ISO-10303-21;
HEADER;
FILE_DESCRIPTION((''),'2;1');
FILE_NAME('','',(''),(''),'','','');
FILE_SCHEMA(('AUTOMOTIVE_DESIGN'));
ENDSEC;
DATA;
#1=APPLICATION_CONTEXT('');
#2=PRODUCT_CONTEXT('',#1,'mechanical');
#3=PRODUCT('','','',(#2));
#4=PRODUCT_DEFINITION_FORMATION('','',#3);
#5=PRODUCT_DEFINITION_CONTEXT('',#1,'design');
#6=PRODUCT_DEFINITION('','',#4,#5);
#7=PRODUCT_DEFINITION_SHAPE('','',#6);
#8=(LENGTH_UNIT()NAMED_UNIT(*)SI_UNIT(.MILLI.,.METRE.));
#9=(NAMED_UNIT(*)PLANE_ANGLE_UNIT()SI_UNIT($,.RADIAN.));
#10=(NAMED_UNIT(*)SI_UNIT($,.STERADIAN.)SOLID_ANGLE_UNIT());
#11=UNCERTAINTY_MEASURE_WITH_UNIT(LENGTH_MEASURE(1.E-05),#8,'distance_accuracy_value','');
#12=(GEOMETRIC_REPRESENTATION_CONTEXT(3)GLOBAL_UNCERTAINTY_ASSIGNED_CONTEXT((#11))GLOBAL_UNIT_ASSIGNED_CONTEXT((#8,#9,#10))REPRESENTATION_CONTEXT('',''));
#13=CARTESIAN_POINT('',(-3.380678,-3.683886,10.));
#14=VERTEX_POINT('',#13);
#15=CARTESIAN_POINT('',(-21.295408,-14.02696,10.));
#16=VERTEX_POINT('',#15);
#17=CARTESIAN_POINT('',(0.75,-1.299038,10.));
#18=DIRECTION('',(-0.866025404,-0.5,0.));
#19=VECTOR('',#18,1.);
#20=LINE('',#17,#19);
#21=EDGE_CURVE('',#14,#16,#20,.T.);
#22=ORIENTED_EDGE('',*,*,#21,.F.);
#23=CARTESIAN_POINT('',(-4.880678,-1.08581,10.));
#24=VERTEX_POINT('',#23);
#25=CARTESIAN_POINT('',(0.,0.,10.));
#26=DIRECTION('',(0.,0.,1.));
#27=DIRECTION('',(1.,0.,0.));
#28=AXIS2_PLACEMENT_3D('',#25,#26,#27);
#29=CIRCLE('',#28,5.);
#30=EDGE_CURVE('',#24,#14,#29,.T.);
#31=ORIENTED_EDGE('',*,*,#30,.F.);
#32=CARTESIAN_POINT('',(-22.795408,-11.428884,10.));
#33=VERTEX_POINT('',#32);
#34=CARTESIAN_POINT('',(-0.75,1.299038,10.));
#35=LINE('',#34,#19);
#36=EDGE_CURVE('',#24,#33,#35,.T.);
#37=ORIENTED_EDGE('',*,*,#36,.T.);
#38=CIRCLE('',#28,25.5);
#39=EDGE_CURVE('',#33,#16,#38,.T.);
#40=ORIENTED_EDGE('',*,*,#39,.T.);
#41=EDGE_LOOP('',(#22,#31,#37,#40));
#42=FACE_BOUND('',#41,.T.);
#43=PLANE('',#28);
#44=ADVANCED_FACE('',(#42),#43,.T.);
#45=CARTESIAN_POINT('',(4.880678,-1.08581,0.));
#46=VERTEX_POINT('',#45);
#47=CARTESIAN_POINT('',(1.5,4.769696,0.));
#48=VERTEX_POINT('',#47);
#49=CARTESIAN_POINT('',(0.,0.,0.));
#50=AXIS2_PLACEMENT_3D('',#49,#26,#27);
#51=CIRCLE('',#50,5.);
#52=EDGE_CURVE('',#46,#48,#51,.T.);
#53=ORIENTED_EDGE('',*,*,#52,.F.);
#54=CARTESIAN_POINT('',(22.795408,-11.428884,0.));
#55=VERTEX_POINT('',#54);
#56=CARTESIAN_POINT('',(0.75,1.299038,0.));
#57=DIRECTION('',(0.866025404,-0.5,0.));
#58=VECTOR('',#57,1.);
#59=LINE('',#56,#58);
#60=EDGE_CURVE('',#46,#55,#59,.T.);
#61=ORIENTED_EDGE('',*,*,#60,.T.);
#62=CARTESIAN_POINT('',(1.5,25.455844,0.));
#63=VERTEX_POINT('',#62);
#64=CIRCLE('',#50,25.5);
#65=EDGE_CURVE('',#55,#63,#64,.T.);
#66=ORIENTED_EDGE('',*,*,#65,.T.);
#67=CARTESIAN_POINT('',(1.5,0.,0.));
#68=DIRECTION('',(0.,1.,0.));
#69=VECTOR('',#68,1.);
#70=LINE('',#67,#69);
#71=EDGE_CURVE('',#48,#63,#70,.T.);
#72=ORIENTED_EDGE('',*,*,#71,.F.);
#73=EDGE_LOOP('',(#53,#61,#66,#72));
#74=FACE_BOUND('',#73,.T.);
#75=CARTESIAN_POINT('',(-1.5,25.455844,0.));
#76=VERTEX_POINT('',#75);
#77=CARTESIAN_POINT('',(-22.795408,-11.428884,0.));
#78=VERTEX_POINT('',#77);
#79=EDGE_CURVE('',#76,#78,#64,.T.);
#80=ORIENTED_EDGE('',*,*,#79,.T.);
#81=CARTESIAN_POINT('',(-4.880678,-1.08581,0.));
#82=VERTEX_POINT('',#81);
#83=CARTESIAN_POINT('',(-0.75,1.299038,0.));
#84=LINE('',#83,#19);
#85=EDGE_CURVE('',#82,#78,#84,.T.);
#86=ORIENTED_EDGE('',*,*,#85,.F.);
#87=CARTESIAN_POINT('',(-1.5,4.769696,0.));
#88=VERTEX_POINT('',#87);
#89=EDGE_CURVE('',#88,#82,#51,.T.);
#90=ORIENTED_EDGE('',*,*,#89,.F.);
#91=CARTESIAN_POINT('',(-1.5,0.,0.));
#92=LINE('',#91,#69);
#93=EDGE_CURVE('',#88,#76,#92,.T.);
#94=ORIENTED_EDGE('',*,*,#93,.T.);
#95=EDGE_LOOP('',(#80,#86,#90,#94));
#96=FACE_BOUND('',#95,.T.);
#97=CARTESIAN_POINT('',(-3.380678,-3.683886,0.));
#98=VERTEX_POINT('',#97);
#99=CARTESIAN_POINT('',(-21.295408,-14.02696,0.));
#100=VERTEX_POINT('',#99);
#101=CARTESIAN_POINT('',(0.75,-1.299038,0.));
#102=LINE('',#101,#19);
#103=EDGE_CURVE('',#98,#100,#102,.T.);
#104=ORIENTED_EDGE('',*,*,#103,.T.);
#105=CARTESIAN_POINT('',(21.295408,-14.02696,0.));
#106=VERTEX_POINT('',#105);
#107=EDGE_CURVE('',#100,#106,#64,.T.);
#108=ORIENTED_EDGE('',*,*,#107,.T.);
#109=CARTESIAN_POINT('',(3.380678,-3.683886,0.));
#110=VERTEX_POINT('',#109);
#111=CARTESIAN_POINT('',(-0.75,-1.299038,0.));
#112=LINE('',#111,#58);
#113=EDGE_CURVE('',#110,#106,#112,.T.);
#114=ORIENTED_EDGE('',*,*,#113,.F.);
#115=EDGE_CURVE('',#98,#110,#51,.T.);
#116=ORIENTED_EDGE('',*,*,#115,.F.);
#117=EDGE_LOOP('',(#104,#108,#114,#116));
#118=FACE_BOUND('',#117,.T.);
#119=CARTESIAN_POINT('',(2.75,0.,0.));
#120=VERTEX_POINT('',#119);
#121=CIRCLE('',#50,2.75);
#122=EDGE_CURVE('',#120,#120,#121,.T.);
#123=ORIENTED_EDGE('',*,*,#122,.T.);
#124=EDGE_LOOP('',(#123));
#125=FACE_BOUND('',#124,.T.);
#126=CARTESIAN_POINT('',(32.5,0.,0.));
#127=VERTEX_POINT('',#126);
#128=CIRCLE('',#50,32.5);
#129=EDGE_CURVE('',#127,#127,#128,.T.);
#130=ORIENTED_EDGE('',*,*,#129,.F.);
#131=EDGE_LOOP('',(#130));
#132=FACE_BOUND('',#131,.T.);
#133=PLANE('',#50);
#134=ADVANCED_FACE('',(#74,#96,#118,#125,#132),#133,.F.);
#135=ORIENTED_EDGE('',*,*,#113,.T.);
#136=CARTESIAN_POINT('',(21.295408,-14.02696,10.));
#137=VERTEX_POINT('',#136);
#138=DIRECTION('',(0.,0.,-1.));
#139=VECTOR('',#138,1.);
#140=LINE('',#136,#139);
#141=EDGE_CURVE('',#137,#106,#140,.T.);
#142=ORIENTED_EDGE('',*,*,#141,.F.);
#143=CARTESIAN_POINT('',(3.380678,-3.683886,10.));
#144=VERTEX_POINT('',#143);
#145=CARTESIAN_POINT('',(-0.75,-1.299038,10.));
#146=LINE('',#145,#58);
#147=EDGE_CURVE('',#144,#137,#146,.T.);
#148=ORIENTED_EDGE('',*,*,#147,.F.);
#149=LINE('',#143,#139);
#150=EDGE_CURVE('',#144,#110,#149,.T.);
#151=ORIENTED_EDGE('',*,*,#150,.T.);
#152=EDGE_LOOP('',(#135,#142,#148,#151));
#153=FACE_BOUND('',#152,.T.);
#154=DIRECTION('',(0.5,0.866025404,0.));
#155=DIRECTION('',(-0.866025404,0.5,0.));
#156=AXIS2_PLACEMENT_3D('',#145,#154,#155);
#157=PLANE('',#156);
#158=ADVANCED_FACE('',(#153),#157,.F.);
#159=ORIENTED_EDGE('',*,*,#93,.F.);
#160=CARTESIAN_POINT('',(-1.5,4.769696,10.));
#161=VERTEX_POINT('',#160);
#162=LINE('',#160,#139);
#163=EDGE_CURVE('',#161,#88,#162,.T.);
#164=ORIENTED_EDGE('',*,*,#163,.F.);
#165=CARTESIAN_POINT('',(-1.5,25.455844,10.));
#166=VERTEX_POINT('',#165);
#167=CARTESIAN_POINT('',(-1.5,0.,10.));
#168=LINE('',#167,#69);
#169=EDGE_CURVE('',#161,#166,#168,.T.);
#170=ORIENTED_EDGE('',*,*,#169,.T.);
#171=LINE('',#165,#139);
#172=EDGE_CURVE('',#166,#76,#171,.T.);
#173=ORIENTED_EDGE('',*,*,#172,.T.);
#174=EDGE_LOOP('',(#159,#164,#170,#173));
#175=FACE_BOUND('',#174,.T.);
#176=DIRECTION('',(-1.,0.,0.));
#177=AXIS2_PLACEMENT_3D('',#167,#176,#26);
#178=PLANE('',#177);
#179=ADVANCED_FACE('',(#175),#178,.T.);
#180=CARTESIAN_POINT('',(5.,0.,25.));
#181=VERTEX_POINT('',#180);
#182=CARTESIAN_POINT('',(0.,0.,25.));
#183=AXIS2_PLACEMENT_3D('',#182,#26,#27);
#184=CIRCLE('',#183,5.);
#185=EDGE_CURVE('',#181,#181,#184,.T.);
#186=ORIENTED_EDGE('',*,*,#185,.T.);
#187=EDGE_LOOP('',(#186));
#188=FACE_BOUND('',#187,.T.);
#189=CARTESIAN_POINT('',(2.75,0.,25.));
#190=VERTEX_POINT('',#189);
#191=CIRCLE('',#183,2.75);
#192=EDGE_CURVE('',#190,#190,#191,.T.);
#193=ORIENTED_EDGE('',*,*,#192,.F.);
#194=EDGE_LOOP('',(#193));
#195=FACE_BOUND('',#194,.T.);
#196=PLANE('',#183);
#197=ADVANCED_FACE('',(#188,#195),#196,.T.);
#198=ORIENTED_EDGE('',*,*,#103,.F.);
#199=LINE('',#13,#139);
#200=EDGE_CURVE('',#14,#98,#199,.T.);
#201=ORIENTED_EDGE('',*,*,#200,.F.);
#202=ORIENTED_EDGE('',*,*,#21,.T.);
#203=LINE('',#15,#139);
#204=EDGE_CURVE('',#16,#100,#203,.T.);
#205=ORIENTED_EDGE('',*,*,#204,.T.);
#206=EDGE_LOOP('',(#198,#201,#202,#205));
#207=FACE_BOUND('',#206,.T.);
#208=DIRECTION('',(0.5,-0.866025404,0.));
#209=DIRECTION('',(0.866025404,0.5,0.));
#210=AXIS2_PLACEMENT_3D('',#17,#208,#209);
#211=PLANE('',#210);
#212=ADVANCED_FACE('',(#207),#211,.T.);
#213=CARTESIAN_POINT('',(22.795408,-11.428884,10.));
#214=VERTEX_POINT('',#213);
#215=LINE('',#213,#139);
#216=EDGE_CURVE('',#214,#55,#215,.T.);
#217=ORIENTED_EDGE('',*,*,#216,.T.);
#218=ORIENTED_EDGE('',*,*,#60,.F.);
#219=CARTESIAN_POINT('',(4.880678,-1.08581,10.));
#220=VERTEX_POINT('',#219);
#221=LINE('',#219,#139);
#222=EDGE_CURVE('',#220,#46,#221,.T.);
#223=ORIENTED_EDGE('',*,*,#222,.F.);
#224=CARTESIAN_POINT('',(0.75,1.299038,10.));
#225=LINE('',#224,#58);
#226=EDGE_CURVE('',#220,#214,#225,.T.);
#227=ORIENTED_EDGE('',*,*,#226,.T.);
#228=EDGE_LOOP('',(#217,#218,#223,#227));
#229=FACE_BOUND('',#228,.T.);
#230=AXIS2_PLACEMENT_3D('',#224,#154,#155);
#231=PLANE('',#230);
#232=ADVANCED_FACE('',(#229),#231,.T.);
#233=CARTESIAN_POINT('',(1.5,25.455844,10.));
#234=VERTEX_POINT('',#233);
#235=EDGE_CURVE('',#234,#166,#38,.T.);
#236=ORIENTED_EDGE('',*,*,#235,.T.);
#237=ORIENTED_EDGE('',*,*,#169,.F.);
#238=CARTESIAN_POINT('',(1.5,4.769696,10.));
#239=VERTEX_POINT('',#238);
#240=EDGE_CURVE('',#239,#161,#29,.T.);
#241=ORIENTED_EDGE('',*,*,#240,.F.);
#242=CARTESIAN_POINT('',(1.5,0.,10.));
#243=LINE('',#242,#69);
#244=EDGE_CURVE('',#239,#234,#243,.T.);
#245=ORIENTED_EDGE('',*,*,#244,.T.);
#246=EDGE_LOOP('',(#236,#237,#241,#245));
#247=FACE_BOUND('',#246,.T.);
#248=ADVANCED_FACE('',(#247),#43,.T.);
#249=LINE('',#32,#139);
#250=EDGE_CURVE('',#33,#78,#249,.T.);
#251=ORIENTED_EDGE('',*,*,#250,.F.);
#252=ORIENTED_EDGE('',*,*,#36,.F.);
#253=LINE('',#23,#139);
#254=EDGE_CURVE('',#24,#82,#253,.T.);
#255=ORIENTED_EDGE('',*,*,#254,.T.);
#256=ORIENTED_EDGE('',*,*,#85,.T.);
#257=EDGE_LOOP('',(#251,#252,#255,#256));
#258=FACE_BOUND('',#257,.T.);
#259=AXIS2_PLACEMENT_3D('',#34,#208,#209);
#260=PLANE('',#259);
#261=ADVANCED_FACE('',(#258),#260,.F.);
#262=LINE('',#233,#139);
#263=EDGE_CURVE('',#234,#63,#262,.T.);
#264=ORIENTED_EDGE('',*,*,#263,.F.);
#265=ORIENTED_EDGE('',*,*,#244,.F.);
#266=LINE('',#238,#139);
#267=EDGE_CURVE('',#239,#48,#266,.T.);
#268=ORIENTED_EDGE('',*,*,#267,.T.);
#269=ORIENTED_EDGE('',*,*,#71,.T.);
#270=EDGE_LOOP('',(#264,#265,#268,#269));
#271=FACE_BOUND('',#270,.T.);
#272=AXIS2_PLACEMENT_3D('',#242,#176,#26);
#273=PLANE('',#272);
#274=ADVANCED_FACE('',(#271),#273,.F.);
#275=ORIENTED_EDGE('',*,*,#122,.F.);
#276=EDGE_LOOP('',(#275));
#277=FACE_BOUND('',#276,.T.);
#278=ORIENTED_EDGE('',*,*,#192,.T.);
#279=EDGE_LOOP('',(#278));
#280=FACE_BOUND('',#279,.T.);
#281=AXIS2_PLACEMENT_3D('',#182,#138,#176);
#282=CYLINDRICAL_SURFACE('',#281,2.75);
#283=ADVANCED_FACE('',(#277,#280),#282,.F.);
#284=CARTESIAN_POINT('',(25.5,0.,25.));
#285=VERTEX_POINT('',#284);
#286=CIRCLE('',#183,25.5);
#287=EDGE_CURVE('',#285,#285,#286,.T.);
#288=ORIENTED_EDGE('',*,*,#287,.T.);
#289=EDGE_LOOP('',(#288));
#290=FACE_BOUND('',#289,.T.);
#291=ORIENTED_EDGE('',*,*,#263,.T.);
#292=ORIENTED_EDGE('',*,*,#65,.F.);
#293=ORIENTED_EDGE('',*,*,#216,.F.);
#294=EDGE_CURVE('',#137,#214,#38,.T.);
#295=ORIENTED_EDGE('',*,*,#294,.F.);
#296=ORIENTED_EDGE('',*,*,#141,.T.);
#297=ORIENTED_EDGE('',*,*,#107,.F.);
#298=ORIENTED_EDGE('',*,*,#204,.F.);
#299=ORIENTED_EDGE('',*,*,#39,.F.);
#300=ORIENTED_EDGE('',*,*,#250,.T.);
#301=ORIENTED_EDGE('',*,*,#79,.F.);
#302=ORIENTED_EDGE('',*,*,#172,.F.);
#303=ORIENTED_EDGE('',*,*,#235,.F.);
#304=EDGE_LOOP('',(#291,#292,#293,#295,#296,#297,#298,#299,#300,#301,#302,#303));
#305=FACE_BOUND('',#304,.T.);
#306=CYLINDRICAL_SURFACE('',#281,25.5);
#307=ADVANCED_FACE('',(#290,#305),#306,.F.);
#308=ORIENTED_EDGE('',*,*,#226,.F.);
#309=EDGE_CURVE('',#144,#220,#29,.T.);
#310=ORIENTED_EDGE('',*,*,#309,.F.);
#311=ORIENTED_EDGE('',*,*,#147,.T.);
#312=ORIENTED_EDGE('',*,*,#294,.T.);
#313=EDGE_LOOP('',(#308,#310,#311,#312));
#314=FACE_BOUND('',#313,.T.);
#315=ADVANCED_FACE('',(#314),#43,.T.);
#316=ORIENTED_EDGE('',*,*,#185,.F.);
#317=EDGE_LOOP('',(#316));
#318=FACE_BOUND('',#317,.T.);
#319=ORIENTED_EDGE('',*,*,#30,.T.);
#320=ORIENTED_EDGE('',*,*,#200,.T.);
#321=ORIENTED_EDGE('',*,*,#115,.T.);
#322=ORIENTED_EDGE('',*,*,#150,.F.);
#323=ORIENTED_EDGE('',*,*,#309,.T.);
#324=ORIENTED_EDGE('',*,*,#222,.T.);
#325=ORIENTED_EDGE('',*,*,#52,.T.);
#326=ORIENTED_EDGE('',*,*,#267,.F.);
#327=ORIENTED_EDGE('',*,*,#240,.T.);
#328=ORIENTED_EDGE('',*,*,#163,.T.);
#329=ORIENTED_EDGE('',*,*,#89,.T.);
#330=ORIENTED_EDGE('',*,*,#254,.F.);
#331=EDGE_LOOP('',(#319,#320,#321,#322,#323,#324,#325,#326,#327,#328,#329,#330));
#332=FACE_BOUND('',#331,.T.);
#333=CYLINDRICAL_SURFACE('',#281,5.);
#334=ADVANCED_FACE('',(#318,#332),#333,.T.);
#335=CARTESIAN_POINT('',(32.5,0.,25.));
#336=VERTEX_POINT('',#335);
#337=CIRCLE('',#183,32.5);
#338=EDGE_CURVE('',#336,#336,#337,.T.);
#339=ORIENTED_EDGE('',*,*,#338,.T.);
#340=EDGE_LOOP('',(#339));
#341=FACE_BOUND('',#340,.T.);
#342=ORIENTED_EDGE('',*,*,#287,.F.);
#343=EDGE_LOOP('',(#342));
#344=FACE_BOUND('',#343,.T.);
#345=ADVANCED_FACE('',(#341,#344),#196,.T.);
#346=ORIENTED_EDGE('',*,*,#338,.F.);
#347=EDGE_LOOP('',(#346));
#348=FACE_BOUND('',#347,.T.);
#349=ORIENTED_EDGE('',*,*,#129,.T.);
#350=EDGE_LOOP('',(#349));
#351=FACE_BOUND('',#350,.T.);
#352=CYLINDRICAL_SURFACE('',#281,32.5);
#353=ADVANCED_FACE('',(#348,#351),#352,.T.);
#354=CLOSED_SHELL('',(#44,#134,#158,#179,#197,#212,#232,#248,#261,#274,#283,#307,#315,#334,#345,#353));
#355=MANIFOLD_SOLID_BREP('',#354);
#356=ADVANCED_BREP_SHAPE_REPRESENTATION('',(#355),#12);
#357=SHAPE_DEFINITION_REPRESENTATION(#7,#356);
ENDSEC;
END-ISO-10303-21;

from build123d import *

# Parameters (mm, degrees)
SKETCH_1_R      = 32.5
SKETCH_1_R_2    = 25.5
EXTRUDE_1_DEPTH = 25
EXTRUDE_2_DEPTH = 10
SKETCH_2_3_R    = 2.75
EXTRUDE_3_DEPTH = 25


with BuildPart() as part:
    # 草图1 → 凸台-拉伸1 (new body)
    with BuildSketch(Plane.XY):
        Circle(SKETCH_1_R)
        Circle(SKETCH_1_R_2, mode=Mode.SUBTRACT)
    extrude(amount=EXTRUDE_1_DEPTH)

    # 草图2 → 凸台-拉伸2 (add)
    with BuildSketch(Plane.XY):
        with BuildLine():
            Line((-1.5, 25.455844123), (-1.5, 4.769696007))
            ThreePointArc((-1.5, 4.769696007), (0, 5), (1.5, 4.769696007))
            Line((1.5, 4.769696007), (1.5, 25.455844123))
            ThreePointArc((1.5, 25.455844123), (0, 25.5), (-1.5, 25.455844123))
        make_face()
        with BuildLine():
            ThreePointArc((-3.38067791, -3.683886109), (-4.330127019, -2.5), (-4.88067791, -1.085809898))
            Line((-4.88067791, -1.085809898), (-22.795407685, -11.428883956))
            ThreePointArc((-22.795407685, -11.428883956), (-22.083647797, -12.75), (-21.295407685, -14.026960167))
            Line((-21.295407685, -14.026960167), (-3.38067791, -3.683886109))
        make_face()
        with BuildLine():
            ThreePointArc((4.88067791, -1.085809898), (4.330127019, -2.5), (3.38067791, -3.683886109))
            Line((3.38067791, -3.683886109), (21.295407685, -14.026960167))
            ThreePointArc((21.295407685, -14.026960167), (22.083647797, -12.75), (22.795407685, -11.428883956))
            Line((22.795407685, -11.428883956), (4.88067791, -1.085809898))
        make_face()
    extrude(amount=EXTRUDE_2_DEPTH)

    # 草图2<3> → 凸台-拉伸3 (add)
    with BuildSketch(Plane.XY):
        with BuildLine():
            ThreePointArc((1.5, 4.769696007), (0, 5), (-1.5, 4.769696007))
            ThreePointArc((-1.5, 4.769696007), (-4.330127019, 2.5), (-4.88067791, -1.085809898))
            ThreePointArc((-4.88067791, -1.085809898), (-4.330127019, -2.5), (-3.38067791, -3.683886109))
            ThreePointArc((-3.38067791, -3.683886109), (0, -5), (3.38067791, -3.683886109))
            ThreePointArc((3.38067791, -3.683886109), (4.330127019, -2.5), (4.88067791, -1.085809898))
            ThreePointArc((4.88067791, -1.085809898), (4.970079957, -0.546173254), (5, 0))
            ThreePointArc((5, 0), (4.031128874, 2.958039892), (1.5, 4.769696007))
        make_face()
        Circle(SKETCH_2_3_R, mode=Mode.SUBTRACT)
    extrude(amount=EXTRUDE_3_DEPTH)


solid = part.part
